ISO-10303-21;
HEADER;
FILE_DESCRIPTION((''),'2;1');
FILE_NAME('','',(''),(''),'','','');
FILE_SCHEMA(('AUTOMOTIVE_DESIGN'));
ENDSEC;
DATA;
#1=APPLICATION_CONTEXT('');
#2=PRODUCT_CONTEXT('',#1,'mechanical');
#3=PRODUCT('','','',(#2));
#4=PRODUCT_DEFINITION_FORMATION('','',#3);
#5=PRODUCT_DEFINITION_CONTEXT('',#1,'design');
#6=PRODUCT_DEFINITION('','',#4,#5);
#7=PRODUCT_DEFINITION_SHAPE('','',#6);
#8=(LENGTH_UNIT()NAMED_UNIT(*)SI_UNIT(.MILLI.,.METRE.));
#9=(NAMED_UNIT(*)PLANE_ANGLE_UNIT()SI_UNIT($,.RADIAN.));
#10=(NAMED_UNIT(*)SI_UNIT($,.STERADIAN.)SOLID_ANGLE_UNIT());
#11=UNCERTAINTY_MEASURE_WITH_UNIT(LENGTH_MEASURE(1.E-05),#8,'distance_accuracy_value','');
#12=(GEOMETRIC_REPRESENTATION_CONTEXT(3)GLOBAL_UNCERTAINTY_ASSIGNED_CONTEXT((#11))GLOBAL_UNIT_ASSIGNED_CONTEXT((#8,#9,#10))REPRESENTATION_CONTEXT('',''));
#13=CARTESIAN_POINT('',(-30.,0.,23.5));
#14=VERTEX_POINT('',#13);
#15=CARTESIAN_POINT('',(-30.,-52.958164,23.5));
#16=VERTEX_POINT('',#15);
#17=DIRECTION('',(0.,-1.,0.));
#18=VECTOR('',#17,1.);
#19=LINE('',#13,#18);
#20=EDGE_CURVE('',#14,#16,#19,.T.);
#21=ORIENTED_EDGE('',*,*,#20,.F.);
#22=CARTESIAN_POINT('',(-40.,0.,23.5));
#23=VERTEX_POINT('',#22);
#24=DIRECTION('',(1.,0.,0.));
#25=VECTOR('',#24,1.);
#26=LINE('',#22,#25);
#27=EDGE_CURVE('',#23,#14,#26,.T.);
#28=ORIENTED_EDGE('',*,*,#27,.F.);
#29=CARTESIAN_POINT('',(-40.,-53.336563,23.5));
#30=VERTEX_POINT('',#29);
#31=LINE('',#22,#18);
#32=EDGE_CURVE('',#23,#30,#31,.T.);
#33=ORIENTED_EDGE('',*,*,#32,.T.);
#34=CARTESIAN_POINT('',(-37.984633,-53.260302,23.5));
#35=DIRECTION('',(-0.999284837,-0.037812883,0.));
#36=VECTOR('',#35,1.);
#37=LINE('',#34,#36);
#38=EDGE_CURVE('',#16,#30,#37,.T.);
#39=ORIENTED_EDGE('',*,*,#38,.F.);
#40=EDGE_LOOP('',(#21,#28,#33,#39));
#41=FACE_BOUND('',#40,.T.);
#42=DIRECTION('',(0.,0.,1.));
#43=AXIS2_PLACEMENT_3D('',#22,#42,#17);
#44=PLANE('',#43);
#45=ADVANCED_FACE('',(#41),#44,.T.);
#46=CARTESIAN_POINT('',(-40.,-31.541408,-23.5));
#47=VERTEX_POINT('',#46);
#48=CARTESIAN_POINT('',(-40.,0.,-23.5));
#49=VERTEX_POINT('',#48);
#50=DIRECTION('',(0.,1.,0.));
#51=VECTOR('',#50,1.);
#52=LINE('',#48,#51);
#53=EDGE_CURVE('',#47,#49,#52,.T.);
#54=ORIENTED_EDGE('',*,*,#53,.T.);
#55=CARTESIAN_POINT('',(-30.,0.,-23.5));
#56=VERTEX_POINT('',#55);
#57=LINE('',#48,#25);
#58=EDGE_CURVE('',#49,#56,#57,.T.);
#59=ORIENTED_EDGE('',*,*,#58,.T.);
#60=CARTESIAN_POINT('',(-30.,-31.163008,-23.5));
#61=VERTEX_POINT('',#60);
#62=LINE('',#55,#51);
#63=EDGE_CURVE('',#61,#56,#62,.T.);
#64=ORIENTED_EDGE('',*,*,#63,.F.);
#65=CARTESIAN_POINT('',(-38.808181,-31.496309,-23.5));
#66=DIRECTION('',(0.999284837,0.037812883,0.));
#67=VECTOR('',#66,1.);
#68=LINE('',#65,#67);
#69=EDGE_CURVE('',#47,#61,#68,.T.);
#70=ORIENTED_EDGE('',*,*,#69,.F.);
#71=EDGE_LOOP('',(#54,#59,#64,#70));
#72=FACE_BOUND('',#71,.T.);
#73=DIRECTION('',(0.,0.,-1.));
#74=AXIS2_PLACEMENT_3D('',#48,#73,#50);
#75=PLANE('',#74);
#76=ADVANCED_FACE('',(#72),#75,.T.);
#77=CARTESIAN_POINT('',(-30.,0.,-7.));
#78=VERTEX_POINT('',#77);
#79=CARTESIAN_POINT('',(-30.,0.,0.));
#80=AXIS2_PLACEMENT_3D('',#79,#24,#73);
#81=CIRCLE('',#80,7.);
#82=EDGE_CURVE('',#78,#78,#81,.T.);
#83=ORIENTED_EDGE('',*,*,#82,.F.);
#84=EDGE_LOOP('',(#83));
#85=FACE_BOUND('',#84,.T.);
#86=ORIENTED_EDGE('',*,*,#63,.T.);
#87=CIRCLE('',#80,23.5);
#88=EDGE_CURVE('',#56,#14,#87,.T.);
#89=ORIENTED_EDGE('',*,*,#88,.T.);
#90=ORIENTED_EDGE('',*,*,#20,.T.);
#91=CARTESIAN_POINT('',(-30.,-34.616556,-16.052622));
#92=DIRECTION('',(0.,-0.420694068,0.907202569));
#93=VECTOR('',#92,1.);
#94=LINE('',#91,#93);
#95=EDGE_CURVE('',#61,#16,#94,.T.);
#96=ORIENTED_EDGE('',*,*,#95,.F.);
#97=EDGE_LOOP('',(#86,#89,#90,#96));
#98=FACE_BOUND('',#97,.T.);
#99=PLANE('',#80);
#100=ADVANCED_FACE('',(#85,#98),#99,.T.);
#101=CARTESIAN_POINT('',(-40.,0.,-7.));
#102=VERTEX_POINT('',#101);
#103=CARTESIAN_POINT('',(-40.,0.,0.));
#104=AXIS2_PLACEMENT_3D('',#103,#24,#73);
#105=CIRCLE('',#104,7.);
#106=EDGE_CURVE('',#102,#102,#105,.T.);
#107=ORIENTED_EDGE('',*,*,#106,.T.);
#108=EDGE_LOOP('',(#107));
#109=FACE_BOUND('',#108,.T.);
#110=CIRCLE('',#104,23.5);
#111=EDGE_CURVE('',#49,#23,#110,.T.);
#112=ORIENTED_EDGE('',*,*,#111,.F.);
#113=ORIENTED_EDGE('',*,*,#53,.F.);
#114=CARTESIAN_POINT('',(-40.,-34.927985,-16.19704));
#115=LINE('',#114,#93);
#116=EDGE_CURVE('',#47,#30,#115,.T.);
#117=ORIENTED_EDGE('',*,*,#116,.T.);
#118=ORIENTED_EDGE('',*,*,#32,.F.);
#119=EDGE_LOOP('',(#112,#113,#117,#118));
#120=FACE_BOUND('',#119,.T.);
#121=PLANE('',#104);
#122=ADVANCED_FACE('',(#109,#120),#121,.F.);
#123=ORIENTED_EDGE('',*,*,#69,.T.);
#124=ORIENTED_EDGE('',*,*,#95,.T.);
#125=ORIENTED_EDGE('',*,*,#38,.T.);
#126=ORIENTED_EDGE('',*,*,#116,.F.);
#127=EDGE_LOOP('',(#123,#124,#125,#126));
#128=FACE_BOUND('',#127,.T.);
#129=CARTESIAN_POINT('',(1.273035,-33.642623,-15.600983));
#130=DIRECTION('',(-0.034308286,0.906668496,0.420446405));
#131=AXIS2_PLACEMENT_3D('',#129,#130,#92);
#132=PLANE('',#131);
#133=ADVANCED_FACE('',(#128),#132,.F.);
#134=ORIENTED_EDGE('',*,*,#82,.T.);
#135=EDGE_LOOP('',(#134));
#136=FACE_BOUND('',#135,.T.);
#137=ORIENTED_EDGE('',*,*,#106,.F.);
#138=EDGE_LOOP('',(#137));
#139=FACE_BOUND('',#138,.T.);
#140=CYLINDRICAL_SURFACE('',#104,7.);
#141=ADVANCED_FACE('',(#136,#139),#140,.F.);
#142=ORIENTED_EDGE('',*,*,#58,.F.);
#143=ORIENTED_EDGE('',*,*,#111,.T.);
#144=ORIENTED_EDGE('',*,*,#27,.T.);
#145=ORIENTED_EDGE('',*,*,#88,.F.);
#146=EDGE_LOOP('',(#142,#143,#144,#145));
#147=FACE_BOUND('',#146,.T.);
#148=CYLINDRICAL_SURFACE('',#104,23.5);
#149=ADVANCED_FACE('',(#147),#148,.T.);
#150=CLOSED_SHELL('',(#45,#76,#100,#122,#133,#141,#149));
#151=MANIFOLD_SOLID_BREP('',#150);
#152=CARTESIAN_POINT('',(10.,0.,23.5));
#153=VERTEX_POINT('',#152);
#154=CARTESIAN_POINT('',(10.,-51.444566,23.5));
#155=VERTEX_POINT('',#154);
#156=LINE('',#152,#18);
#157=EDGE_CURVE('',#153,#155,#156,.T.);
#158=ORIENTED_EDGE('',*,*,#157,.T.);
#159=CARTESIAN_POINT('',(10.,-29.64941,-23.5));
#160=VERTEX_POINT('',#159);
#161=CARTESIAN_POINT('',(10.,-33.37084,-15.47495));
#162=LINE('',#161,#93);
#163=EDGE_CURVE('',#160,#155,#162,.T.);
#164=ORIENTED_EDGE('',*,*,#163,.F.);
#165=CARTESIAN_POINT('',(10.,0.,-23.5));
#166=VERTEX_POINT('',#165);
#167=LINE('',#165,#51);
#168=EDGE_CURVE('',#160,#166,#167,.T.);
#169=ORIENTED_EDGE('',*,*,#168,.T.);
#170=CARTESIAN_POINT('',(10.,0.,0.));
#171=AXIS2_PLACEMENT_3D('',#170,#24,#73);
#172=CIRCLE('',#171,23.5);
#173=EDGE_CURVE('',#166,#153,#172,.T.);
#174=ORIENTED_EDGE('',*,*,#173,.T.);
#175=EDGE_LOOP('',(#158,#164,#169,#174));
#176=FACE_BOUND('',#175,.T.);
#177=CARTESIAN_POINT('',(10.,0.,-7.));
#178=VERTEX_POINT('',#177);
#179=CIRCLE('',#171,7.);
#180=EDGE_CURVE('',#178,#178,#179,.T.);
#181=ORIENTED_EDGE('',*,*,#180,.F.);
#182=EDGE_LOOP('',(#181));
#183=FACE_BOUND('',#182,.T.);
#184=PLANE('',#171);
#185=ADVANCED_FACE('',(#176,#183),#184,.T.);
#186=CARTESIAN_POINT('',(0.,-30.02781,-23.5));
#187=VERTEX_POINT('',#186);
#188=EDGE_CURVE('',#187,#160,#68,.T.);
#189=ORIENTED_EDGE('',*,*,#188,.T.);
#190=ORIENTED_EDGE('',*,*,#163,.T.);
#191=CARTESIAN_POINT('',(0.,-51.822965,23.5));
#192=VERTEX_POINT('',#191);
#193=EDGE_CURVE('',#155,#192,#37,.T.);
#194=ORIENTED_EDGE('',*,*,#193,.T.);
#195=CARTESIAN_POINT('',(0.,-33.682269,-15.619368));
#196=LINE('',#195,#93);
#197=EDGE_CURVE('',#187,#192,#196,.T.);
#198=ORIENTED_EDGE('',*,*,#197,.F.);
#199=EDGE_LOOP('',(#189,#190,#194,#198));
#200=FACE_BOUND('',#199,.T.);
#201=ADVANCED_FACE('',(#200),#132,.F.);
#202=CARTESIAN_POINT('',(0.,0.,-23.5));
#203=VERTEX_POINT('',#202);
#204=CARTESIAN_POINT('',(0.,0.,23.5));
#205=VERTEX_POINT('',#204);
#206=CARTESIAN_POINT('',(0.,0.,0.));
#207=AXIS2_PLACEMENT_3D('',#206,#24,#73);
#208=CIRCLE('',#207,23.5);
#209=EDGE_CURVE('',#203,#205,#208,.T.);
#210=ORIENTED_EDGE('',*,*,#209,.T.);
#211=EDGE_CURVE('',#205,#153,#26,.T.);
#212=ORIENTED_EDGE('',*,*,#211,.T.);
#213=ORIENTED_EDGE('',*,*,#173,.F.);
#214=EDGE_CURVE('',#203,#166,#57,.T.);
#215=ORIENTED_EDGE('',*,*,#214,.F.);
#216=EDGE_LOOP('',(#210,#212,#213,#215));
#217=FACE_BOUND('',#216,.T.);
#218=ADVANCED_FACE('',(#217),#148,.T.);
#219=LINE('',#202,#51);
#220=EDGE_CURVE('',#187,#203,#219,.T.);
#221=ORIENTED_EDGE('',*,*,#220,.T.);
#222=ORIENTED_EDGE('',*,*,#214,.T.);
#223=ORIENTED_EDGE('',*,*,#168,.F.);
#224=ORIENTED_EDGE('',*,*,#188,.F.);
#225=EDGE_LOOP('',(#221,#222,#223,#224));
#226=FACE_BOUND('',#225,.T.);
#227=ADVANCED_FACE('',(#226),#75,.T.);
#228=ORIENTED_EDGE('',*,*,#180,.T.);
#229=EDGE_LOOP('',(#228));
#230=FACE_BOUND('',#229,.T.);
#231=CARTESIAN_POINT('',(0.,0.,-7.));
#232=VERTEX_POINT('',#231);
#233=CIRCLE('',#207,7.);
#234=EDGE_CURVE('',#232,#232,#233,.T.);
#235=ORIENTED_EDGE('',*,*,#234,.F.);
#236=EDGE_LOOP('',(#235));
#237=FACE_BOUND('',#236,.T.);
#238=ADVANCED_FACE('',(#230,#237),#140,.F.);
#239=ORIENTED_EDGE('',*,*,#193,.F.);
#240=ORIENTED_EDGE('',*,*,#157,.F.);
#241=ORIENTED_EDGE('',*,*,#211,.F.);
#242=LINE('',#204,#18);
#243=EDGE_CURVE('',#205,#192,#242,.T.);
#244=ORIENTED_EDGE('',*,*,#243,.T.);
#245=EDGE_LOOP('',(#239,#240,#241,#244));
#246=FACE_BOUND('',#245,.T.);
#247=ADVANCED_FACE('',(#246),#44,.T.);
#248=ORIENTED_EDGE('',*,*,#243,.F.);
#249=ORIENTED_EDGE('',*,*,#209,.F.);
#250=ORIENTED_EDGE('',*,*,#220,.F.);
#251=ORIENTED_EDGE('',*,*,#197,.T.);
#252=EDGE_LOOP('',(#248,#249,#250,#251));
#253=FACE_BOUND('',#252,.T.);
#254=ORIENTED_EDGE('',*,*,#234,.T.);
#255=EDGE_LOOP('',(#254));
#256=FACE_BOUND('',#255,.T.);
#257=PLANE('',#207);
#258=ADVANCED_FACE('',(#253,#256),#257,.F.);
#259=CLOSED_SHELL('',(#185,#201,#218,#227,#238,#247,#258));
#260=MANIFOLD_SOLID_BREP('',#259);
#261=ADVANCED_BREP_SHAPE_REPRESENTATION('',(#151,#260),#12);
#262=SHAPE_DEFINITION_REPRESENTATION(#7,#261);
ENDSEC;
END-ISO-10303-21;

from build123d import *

# Parameters (mm, degrees)
EXTRUDE_1_DEPTH      = 10
EXTRUDE_1_DEPTH_BACK = 40
SKETCH_1_R           = 7
CUT_EXTRUDE_START    = -30
SKETCH_1_2_R         = 7
CUT_EXTRUDE_1_DEPTH  = 30
SKETCH_2_R           = 285.396943436
CUT_EXTRUDE_2_DEPTH  = 284.687476453


with BuildPart() as part:
    # 草图1 → 凸台-拉伸1 (new, two sides: drawn at the far end of the back side and taken through both)
    with BuildSketch(Plane(origin=(0, 0, 0), x_dir=(0, 0, -1), z_dir=(1, 0, 0)).offset(-EXTRUDE_1_DEPTH_BACK)):
        with BuildLine():
            Line((-23.5, 0), (-23.5, -107.176978603))
            Line((-23.5, -107.176978603), (23.5, -107.176978603))
            Line((23.5, -107.176978603), (23.5, 0))
            ThreePointArc((23.5, 0), (0, 23.5), (-23.5, 0))
        make_face()
        Circle(SKETCH_1_R, mode=Mode.SUBTRACT)
    extrude(amount=EXTRUDE_1_DEPTH + EXTRUDE_1_DEPTH_BACK)

    # 草图1<2> → 切除-拉伸1 (cut)
    with BuildSketch(Plane(origin=(0, 0, 0), x_dir=(0, 0, -1), z_dir=(1, 0, 0)).offset(CUT_EXTRUDE_START)):
        with BuildLine():
            Line((-23.5, 0), (-23.5, -107.176978603))
            Line((-23.5, -107.176978603), (23.5, -107.176978603))
            Line((23.5, -107.176978603), (23.5, 0))
            ThreePointArc((23.5, 0), (0, 23.5), (-23.5, 0))
        make_face()
        Circle(SKETCH_1_2_R, mode=Mode.SUBTRACT)
    extrude(amount=CUT_EXTRUDE_1_DEPTH, mode=Mode.SUBTRACT)


with BuildPart() as cut_extrude_1_piece_1:
    # of the separate pieces the step leaves, piece 1, a body of its own (cut_extrude_1_pieces)
    add(part.part.solids().sort_by_distance((10, 0, 23.5))[0])


with BuildPart() as cut_extrude_1_piece_2:
    # of the separate pieces the step leaves, piece 2, a body of its own (cut_extrude_1_pieces)
    add(part.part.solids().sort_by_distance((-30, 0, 23.5))[0])


with BuildPart() as cut_extrude_2_tool:
    # 草图2 → 切除-拉伸2 (new body)
    with BuildSketch(Plane(origin=(1.273035004, -33.642623321, -15.600983239), x_dir=(0.9994112974805099, 0.031124564928844464, 0.014433292289486975), z_dir=(-0.03430828570948451, 0.9066684964225279, 0.4204464045827826))):
        Circle(SKETCH_2_R)
    extrude(amount=-CUT_EXTRUDE_2_DEPTH)


with BuildPart() as cut_extrude_1_piece_1_1:
    add(cut_extrude_1_piece_1.part)

    # 切除-拉伸2: cut by cut_extrude_2_tool
    add(cut_extrude_2_tool.part, mode=Mode.SUBTRACT)


with BuildPart() as cut_extrude_1_piece_2_1:
    add(cut_extrude_1_piece_2.part)

    # 切除-拉伸2: cut by cut_extrude_2_tool
    add(cut_extrude_2_tool.part, mode=Mode.SUBTRACT)


solid = Compound([cut_extrude_1_piece_1_1.part, cut_extrude_1_piece_2_1.part])
